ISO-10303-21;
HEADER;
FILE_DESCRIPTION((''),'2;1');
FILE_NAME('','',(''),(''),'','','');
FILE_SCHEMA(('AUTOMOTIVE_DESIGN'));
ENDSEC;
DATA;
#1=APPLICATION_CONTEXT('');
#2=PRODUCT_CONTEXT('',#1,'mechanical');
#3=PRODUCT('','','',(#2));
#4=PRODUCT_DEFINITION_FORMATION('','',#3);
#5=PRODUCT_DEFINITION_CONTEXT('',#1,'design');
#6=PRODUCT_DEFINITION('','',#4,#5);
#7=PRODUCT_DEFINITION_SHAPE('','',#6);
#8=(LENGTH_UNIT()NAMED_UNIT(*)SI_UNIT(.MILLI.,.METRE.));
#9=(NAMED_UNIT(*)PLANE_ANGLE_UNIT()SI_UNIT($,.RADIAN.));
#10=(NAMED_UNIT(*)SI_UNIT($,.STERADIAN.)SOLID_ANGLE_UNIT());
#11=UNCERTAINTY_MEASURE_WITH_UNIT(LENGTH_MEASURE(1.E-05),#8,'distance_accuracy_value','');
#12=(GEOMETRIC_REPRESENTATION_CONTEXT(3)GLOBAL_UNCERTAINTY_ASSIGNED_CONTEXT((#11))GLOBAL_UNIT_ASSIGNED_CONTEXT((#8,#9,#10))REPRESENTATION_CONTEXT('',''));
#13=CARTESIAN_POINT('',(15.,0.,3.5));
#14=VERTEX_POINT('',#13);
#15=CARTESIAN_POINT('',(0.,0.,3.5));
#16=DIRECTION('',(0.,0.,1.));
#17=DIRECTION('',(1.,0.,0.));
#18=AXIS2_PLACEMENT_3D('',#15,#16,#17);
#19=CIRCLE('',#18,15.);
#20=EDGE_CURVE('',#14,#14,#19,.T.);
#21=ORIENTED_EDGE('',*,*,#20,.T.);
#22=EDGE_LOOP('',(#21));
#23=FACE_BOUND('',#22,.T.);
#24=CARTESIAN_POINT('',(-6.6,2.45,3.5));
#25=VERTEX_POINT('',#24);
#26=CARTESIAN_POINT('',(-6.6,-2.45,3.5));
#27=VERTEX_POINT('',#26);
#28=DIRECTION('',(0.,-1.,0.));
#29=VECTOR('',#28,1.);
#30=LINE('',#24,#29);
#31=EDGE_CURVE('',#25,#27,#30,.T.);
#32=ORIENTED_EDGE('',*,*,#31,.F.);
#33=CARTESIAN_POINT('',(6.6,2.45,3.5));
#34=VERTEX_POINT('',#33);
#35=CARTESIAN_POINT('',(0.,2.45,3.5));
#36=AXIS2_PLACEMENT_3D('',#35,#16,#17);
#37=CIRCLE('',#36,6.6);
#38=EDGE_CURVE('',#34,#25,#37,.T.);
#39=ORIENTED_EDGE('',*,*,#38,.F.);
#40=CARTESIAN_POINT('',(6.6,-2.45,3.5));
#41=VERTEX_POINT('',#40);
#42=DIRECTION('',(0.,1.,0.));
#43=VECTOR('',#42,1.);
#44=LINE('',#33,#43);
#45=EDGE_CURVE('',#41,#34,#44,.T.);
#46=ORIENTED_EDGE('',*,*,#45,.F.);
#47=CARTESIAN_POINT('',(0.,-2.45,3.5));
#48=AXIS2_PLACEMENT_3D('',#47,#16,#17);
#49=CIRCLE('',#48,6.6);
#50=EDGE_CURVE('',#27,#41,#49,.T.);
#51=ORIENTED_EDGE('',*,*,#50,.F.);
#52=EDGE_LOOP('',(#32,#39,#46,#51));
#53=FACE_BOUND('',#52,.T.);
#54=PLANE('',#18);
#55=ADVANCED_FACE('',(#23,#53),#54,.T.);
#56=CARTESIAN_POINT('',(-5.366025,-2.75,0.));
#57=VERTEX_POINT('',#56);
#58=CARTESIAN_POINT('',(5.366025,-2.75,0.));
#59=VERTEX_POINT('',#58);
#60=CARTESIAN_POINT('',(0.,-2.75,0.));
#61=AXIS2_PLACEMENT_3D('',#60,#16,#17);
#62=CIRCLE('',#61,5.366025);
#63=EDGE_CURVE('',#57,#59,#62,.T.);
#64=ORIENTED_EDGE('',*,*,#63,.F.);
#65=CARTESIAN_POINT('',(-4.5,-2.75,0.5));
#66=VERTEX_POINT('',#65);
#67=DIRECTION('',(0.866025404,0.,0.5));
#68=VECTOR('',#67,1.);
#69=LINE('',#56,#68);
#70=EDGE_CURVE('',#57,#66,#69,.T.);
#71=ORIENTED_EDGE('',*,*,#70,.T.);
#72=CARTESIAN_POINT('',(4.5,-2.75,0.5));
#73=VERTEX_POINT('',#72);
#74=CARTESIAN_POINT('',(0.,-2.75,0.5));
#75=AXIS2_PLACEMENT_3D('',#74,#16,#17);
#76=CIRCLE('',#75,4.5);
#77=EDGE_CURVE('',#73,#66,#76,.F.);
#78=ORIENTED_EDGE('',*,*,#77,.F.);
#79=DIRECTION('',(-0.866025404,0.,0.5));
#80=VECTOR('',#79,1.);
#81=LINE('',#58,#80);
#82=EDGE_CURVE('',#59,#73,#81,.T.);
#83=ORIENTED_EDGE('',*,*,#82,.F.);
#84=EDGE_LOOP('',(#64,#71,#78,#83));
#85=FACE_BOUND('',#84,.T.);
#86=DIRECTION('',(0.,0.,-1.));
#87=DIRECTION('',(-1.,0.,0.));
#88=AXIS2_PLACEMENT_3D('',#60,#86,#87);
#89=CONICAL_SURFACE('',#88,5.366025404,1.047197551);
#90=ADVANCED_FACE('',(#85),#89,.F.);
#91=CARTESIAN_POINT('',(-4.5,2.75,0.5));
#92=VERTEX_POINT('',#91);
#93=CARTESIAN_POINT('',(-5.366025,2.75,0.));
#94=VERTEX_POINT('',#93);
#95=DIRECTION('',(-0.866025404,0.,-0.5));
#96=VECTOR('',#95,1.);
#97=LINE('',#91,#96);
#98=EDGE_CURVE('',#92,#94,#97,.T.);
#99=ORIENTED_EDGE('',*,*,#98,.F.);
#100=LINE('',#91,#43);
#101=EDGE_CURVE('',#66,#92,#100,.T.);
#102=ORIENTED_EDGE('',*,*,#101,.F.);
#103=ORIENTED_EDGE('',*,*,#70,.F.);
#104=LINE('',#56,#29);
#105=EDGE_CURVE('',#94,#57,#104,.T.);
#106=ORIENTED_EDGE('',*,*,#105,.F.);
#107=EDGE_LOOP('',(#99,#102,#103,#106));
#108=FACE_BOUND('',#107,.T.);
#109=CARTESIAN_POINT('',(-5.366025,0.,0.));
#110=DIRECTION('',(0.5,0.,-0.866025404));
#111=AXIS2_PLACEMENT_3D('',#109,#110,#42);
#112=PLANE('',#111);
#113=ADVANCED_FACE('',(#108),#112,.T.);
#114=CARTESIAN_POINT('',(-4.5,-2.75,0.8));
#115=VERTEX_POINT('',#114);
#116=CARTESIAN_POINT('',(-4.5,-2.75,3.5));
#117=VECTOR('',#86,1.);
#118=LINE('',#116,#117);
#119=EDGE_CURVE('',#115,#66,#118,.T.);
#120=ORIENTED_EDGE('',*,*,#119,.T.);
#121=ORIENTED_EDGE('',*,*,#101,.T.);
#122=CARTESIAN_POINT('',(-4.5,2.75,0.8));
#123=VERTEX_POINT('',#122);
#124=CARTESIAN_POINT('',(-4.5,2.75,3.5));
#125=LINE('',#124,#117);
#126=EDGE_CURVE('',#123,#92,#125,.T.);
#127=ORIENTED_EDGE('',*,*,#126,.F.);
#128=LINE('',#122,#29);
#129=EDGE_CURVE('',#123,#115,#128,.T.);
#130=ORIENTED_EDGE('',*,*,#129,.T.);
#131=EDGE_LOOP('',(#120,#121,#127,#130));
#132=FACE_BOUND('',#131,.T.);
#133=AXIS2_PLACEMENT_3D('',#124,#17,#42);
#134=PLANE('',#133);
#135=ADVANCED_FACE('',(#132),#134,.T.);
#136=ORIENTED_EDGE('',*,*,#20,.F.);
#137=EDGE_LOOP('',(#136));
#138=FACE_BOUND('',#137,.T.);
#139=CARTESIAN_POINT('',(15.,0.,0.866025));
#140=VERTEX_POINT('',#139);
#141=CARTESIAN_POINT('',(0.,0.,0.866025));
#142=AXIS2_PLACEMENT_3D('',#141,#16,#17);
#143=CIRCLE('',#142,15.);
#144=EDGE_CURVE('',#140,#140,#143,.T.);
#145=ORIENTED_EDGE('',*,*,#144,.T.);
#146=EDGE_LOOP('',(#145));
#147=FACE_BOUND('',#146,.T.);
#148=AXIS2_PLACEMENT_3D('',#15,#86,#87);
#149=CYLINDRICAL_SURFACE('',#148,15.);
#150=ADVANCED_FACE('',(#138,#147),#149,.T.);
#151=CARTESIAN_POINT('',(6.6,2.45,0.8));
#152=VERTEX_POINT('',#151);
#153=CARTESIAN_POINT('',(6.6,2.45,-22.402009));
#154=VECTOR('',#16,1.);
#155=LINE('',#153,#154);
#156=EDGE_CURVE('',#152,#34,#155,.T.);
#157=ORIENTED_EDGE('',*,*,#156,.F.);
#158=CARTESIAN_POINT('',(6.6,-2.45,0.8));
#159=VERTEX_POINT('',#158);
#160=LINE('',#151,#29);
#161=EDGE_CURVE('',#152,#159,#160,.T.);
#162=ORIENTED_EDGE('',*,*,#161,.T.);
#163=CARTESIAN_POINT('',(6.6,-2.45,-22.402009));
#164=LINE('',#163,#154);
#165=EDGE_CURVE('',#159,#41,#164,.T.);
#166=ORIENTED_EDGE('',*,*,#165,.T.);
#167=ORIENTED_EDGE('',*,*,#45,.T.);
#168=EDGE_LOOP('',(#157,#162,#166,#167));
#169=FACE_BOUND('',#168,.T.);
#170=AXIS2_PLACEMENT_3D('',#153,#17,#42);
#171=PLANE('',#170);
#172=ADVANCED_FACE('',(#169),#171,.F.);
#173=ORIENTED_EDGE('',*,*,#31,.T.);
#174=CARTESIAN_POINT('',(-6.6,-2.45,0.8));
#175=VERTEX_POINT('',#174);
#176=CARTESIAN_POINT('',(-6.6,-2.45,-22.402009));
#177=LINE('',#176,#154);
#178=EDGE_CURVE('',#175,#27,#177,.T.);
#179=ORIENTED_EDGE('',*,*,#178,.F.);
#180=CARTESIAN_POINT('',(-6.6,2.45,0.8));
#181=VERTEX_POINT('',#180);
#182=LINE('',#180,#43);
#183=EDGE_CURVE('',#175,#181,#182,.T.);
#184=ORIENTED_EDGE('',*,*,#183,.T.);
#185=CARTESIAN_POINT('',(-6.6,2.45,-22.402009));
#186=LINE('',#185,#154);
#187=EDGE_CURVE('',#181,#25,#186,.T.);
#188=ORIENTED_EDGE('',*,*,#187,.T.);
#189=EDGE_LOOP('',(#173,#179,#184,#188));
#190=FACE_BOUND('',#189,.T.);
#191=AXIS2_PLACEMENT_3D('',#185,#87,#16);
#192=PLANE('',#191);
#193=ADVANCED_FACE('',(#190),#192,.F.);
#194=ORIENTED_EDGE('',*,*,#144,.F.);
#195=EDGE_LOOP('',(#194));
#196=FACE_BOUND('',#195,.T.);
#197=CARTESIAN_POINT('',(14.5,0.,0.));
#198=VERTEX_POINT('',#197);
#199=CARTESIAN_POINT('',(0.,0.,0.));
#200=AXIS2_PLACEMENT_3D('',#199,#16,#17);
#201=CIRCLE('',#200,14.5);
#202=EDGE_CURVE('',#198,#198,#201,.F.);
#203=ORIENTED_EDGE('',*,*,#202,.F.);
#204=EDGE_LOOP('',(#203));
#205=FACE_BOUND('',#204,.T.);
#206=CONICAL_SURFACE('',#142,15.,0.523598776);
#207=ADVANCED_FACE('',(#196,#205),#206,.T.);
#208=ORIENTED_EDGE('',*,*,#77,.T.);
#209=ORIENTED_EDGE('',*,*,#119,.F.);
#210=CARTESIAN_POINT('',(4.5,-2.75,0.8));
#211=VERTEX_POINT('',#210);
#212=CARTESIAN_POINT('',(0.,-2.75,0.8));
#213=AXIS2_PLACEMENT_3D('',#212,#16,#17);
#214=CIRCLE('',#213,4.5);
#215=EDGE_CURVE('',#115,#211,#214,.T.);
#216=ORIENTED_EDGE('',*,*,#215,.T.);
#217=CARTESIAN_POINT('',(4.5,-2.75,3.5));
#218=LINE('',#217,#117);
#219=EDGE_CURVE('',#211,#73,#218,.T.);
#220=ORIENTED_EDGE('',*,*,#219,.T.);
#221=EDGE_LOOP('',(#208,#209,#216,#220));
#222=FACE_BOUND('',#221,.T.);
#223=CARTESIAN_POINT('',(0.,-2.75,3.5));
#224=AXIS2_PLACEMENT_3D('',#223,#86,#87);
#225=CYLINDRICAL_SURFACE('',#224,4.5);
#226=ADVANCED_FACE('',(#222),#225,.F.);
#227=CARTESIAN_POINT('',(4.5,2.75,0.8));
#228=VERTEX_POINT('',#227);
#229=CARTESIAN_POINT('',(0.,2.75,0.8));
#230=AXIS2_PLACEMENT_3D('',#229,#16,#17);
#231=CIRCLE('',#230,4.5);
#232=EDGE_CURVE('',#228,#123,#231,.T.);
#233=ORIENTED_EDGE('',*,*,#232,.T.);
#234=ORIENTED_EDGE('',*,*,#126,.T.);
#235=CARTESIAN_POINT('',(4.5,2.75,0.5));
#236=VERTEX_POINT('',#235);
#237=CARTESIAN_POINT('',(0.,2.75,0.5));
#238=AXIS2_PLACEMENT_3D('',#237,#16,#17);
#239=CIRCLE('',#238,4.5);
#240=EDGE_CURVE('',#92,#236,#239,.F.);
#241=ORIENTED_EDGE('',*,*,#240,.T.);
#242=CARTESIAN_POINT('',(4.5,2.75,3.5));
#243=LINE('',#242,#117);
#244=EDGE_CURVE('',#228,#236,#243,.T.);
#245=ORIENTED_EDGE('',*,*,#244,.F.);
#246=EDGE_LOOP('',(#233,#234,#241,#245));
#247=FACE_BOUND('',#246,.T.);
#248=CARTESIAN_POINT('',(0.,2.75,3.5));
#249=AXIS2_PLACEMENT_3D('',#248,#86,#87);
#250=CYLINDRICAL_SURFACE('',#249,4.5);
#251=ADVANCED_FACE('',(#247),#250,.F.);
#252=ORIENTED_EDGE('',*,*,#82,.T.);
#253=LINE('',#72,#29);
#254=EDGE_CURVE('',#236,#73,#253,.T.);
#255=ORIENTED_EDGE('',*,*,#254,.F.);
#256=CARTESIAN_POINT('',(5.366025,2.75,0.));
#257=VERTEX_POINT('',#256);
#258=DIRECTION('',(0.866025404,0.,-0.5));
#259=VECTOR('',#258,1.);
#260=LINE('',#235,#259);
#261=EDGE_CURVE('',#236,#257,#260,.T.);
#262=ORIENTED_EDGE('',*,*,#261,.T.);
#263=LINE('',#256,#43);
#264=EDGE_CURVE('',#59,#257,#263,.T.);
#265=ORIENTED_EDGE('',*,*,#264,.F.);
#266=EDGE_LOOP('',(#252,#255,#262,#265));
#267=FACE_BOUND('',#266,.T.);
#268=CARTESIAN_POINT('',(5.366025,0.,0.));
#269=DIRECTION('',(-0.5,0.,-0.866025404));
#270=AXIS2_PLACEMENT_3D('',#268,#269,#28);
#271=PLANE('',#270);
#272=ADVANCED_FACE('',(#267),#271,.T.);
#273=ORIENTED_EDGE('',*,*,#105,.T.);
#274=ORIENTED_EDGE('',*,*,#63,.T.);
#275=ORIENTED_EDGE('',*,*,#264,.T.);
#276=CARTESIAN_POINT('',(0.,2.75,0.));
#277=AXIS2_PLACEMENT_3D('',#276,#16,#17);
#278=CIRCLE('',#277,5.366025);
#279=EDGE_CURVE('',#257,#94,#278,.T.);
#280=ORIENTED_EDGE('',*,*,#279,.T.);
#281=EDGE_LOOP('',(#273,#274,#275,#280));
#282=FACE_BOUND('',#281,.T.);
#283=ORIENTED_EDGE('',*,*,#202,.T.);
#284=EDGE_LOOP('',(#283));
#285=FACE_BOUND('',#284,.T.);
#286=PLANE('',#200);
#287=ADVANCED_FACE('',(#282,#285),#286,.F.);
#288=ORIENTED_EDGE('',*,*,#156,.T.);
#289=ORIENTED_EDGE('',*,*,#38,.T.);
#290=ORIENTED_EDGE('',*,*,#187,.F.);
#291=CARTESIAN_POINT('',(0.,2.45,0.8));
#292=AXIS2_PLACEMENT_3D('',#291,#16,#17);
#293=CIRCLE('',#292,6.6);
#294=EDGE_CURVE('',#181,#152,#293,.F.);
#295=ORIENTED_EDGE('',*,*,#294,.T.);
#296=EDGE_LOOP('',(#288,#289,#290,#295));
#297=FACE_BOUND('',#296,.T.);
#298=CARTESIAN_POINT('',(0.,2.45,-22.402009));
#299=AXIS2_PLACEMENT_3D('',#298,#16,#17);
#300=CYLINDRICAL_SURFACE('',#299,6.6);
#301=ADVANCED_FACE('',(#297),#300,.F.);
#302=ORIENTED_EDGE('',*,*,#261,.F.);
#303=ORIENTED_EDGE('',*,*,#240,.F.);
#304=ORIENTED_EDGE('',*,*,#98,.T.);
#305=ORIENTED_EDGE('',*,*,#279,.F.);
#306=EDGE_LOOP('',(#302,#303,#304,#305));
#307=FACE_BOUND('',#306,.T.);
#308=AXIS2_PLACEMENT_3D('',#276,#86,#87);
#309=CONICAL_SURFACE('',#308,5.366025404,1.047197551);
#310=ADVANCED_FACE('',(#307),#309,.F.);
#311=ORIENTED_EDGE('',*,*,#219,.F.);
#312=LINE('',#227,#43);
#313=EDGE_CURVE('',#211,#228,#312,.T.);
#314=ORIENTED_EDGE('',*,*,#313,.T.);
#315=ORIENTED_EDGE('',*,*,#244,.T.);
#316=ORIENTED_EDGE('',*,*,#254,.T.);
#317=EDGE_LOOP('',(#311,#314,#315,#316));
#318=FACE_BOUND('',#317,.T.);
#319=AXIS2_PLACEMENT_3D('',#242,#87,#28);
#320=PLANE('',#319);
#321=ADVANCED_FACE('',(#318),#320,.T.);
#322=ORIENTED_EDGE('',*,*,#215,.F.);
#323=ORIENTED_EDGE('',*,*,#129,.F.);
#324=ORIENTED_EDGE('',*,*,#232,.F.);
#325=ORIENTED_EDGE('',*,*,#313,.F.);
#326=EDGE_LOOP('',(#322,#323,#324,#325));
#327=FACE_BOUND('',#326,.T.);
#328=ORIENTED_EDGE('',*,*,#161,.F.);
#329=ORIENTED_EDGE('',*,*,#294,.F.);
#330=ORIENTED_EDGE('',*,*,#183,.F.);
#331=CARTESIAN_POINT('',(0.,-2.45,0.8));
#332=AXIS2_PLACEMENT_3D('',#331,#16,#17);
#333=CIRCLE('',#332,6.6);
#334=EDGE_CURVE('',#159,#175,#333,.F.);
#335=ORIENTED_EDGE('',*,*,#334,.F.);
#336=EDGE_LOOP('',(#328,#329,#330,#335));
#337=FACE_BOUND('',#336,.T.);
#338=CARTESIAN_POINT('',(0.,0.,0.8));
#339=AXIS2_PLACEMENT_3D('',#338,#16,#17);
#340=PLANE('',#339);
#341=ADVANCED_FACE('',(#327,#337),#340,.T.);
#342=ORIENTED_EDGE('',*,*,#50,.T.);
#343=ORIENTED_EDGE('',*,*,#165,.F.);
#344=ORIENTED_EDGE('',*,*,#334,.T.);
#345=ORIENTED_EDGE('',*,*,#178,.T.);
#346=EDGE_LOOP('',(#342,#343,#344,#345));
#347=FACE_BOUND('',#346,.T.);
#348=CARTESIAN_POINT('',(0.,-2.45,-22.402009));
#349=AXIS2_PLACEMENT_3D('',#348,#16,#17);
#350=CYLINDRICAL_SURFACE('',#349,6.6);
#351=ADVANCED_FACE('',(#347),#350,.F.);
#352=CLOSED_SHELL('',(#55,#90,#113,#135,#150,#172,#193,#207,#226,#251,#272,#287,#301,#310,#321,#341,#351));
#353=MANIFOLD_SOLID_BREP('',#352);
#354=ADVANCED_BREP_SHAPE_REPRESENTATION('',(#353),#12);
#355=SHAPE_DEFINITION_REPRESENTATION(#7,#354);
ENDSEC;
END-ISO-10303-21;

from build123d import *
from OCP.BRepFilletAPI import BRepFilletAPI_MakeChamfer

# Parameters (mm, degrees)
SKETCH_184_R           = 15
EXTRUDE_842_DEPTH      = 3.5
CUT_EXTRUDE_1179_DEPTH = 2.7
CHAMFER_1_SIZE         = 0.5
CHAMFER_1_SIZE2        = 0.866025404


with BuildPart() as part:
    # Sketch 184 → Extrude 842 (new body)
    with BuildSketch(Plane.XY):
        Circle(SKETCH_184_R)
        with BuildLine():
            Line((4.5, 2.75), (4.5, -2.75))
            ThreePointArc((4.5, -2.75), (0, -7.25), (-4.5, -2.75))
            Line((-4.5, -2.75), (-4.5, 2.75))
            ThreePointArc((-4.5, 2.75), (0, 7.25), (4.5, 2.75))
        make_face(mode=Mode.SUBTRACT)
    extrude(amount=EXTRUDE_842_DEPTH)

    # Эскиз1 → Cut-Extrude 1179 (cut)
    with BuildSketch(Plane.XY.offset(3.5)):
        with BuildLine():
            Line((6.6, 2.45), (6.6, -2.45))
            ThreePointArc((6.6, -2.45), (0, -9.05), (-6.6, -2.45))
            Line((-6.6, -2.45), (-6.6, 2.45))
            ThreePointArc((-6.6, 2.45), (0, 9.05), (6.6, 2.45))
        make_face()
    extrude(amount=-CUT_EXTRUDE_1179_DEPTH, mode=Mode.SUBTRACT)

    # Фаска1: one chamfer whose edges measure the first distance from different faces: ONE call of the kernel's chamfer builder (chamfer() names one face for all edges)
    chamfer_1_edges_1 = [part.edges().sort_by_distance(p)[0] for p in [
        (-15, 0, 0),
    ]]
    chamfer_1_side_1 = [part.faces().sort_by_distance(p)[0] for p in [
        (-14.575735931, 0, 0),
    ]]
    chamfer_1_edges_2 = [part.edges().sort_by_distance(p)[0] for p in [
        (0, 7.25, 0),
    ]]
    chamfer_1_side_2 = [part.faces().sort_by_distance(p)[0] for p in [
        (0, 7.25, 0.4),
    ]]
    chamfer_1_edges_3 = [part.edges().sort_by_distance(p)[0] for p in [
        (-4.5, 0, 0),
    ]]
    chamfer_1_side_3 = [part.faces().sort_by_distance(p)[0] for p in [
        (-4.5, 0, 0.4),
    ]]
    chamfer_1_edges_4 = [part.edges().sort_by_distance(p)[0] for p in [
        (0, -7.25, 0),
    ]]
    chamfer_1_side_4 = [part.faces().sort_by_distance(p)[0] for p in [
        (0, -7.25, 0.4),
    ]]
    chamfer_1_edges_5 = [part.edges().sort_by_distance(p)[0] for p in [
        (4.5, 0, 0),
    ]]
    chamfer_1_side_5 = [part.faces().sort_by_distance(p)[0] for p in [
        (4.5, 0, 0.4),
    ]]
    chamfer_1 = BRepFilletAPI_MakeChamfer(part.part.solid().wrapped)
    for e in chamfer_1_edges_1:
        chamfer_1.Add(CHAMFER_1_SIZE, CHAMFER_1_SIZE2, e.wrapped, chamfer_1_side_1[0].wrapped)  # the first distance lies on this face
    for e in chamfer_1_edges_2:
        chamfer_1.Add(CHAMFER_1_SIZE, CHAMFER_1_SIZE2, e.wrapped, chamfer_1_side_2[0].wrapped)  # the first distance lies on this face
    for e in chamfer_1_edges_3:
        chamfer_1.Add(CHAMFER_1_SIZE, CHAMFER_1_SIZE2, e.wrapped, chamfer_1_side_3[0].wrapped)  # the first distance lies on this face
    for e in chamfer_1_edges_4:
        chamfer_1.Add(CHAMFER_1_SIZE, CHAMFER_1_SIZE2, e.wrapped, chamfer_1_side_4[0].wrapped)  # the first distance lies on this face
    for e in chamfer_1_edges_5:
        chamfer_1.Add(CHAMFER_1_SIZE, CHAMFER_1_SIZE2, e.wrapped, chamfer_1_side_5[0].wrapped)  # the first distance lies on this face
    add(Compound.cast(chamfer_1.Shape()), mode=Mode.REPLACE)


solid = part.part
